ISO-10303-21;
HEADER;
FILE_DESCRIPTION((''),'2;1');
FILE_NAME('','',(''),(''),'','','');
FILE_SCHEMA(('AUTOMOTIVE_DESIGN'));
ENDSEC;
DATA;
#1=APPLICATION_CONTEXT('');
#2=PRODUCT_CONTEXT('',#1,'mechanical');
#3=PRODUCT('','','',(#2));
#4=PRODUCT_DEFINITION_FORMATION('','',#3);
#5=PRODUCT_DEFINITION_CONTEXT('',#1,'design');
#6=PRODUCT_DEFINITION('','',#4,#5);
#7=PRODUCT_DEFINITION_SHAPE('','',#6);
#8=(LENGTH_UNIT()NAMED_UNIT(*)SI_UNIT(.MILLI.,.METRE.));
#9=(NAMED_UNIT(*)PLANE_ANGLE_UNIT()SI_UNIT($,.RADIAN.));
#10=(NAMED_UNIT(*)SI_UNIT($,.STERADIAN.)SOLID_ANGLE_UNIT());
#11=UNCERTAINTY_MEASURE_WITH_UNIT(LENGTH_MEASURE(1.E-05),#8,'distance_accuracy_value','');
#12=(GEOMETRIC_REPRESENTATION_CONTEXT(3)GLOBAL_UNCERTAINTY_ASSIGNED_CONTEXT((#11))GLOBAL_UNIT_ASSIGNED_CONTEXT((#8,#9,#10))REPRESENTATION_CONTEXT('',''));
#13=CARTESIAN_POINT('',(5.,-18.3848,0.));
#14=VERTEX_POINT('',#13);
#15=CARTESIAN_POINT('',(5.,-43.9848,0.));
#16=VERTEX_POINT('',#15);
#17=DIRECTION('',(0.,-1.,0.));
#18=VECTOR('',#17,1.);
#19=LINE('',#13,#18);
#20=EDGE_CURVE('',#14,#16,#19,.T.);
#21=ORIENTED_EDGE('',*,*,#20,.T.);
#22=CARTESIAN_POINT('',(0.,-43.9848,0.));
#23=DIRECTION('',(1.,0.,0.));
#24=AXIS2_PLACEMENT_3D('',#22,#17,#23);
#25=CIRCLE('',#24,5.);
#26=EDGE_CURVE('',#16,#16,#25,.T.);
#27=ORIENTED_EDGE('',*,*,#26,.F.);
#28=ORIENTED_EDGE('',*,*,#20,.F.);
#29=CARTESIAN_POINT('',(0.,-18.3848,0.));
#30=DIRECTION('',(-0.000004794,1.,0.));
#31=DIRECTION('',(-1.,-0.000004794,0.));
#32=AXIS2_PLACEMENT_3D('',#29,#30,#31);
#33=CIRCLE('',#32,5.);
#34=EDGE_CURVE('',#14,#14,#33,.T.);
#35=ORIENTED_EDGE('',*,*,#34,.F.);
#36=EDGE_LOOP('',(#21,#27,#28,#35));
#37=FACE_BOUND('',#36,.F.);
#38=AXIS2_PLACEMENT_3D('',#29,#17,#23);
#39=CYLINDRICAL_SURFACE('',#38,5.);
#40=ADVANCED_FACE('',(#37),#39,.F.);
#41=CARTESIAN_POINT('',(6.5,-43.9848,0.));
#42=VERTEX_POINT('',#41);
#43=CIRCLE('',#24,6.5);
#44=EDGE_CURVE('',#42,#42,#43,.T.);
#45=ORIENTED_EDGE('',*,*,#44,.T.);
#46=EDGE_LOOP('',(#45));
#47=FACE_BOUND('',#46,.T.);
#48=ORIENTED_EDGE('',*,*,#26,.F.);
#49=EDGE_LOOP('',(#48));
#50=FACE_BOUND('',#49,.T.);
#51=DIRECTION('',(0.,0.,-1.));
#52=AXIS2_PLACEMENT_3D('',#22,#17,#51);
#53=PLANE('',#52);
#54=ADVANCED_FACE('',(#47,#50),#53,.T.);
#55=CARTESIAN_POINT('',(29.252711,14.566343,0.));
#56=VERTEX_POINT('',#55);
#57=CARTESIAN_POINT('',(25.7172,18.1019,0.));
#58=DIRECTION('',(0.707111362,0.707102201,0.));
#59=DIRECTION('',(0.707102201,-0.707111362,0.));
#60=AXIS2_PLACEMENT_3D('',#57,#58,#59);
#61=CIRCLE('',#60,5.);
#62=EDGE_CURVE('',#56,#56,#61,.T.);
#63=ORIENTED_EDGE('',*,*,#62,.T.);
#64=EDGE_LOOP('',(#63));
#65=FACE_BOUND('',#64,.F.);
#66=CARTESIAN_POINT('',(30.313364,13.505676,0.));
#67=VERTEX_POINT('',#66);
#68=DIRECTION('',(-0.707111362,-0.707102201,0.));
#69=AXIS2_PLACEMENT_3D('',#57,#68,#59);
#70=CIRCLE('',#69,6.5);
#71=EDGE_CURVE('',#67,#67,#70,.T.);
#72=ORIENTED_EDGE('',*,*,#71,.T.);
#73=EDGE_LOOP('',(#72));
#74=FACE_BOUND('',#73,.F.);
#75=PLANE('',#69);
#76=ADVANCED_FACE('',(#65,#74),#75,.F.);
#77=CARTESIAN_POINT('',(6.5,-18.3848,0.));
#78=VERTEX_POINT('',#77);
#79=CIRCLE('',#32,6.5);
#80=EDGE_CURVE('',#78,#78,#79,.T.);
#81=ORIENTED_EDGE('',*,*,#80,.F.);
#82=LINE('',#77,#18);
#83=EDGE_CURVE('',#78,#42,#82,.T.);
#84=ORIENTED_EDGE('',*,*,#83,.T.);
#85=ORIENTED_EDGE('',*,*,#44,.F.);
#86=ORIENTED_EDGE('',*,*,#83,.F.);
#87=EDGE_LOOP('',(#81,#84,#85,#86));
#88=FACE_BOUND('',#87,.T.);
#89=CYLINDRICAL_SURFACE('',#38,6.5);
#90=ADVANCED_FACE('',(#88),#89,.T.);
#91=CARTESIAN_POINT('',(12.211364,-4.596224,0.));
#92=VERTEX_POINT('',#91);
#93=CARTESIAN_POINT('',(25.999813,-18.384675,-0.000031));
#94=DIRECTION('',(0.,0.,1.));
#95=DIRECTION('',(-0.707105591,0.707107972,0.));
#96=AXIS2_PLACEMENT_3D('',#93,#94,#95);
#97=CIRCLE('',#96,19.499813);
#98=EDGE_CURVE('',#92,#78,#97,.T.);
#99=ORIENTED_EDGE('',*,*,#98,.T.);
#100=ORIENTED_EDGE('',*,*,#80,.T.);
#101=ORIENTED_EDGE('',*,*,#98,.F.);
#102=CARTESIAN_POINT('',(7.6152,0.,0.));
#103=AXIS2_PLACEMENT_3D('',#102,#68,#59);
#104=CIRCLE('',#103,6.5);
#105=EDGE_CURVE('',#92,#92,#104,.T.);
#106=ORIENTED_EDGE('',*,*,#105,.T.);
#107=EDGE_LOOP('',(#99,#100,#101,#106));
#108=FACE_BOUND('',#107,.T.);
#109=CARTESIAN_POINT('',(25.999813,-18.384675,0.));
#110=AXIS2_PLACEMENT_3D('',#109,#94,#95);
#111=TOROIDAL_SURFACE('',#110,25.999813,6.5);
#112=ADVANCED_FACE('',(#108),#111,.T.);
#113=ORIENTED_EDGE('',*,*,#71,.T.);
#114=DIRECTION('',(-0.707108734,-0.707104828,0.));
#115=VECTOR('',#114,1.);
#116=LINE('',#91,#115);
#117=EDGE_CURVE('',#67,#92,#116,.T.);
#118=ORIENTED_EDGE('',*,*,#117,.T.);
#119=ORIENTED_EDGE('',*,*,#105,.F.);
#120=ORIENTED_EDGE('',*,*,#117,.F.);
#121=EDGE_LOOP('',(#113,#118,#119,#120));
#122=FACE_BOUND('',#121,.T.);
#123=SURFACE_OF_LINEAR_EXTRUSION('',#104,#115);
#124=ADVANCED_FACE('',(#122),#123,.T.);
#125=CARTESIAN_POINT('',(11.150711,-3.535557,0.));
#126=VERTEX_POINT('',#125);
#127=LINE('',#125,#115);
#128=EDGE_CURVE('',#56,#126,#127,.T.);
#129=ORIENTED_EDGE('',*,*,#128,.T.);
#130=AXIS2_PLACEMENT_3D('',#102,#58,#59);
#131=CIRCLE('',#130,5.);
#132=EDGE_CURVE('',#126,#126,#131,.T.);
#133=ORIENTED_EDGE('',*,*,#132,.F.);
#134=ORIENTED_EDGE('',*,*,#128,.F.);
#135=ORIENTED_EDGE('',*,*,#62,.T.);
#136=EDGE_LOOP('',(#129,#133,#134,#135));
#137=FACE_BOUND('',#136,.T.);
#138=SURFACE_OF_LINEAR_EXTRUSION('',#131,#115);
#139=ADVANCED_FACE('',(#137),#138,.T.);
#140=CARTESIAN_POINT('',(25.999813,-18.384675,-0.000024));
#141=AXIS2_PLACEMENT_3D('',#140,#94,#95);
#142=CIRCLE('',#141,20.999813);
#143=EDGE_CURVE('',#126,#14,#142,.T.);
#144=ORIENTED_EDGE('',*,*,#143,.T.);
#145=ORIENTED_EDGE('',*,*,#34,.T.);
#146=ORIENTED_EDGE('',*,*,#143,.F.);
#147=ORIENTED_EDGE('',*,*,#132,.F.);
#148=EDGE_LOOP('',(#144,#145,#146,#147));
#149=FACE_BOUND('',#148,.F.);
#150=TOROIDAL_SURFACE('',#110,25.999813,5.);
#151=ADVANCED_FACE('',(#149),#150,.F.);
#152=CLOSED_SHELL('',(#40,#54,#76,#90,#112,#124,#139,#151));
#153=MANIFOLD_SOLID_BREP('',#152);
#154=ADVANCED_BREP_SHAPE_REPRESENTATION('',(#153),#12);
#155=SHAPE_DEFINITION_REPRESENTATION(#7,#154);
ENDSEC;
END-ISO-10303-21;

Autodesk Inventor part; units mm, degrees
ref_plane "YZ Plane" through (0, 0, 0) normal (1, 0, 0) x (0, 1, 0)
ref_plane "XZ Plane" through (0, 0, 0) normal (0, 1, 0) x (-1, 0, 0)
sketch "Szkic6" plane through (0, 0, 0) normal (0, 0, 1) x (1, 0, 0)
  line L0 (-29.6067, 0) -> (35.2678, 0) construction
  line L1 (0, 42.3419) -> (0, -58.3726) construction
  arc A0 (7.6152, 0) -> (0, -18.3848) centre (26, -18.3848) ccw
  line L2 (0, -18.3848) -> (26, -18.3848) construction
  line L3 (26, -18.3848) -> (-20.3389, 27.9541) construction
  line L4 (7.6152, 0) -> (25.7172, 18.1019)
  line L5 (0, -18.3848) -> (0, -43.9848)
  point P0 (0, 0)
  dimension "d24" = 312.5
  dimension "d31" = 90
  dimension "d36" = 0
  dimension "d37" = 0
ref_plane "Płaszczyzna konstrukcyjna2" through (0, -18.3848, 0) normal (0, -1, 0) x (1, 0, 0)
sketch "Szkic8" plane through (0, -18.3848, 0) normal (0, -1, 0) x (1, 0, 0)
  circle A0 centre (0, 0) radius 6.5
  circle A1 centre (0, 0) radius 5
  dimension "d32" = 129
  dimension "d33" = 2
sweep "Przeciągnięcie2" add profiles "Szkic8" path "Szkic6"
equation "\"d32\" = OD"
equation "\"d33\" = THK"
equation "\"d24\" = R"
equation "\"d31\" = KAT"
equation "\"SzerokośćGięciaPodcięcia\" = Grubość"
equation "\"RozmiarPodcięciaNarożnika\" = 4 * Grubość"
equation "\"PromieńPrzejścia\" = PromieńGięcia"
equation "\"Rozmiar_promienia_Jacobiego\" = PromieńGięcia"
equation "\"Wielk_odstępu\" = Grubość"
equation "\"d2\" = PromieńGięcia"
equation "\"d23\" = PromieńGięcia"
equation "\"R\" = 312.5"
equation "\"OD\" = 129"
equation "\"THK\" = 2"
equation "\"KAT\" = 90deg"
equation "\"PROSTKA\" = 0"
equation "\"Grubość\" = 1.5"
equation "\"PromieńGięcia\" = 3"
properties part number "Kolano 90° ø129x2 R312,5" material "304L"
